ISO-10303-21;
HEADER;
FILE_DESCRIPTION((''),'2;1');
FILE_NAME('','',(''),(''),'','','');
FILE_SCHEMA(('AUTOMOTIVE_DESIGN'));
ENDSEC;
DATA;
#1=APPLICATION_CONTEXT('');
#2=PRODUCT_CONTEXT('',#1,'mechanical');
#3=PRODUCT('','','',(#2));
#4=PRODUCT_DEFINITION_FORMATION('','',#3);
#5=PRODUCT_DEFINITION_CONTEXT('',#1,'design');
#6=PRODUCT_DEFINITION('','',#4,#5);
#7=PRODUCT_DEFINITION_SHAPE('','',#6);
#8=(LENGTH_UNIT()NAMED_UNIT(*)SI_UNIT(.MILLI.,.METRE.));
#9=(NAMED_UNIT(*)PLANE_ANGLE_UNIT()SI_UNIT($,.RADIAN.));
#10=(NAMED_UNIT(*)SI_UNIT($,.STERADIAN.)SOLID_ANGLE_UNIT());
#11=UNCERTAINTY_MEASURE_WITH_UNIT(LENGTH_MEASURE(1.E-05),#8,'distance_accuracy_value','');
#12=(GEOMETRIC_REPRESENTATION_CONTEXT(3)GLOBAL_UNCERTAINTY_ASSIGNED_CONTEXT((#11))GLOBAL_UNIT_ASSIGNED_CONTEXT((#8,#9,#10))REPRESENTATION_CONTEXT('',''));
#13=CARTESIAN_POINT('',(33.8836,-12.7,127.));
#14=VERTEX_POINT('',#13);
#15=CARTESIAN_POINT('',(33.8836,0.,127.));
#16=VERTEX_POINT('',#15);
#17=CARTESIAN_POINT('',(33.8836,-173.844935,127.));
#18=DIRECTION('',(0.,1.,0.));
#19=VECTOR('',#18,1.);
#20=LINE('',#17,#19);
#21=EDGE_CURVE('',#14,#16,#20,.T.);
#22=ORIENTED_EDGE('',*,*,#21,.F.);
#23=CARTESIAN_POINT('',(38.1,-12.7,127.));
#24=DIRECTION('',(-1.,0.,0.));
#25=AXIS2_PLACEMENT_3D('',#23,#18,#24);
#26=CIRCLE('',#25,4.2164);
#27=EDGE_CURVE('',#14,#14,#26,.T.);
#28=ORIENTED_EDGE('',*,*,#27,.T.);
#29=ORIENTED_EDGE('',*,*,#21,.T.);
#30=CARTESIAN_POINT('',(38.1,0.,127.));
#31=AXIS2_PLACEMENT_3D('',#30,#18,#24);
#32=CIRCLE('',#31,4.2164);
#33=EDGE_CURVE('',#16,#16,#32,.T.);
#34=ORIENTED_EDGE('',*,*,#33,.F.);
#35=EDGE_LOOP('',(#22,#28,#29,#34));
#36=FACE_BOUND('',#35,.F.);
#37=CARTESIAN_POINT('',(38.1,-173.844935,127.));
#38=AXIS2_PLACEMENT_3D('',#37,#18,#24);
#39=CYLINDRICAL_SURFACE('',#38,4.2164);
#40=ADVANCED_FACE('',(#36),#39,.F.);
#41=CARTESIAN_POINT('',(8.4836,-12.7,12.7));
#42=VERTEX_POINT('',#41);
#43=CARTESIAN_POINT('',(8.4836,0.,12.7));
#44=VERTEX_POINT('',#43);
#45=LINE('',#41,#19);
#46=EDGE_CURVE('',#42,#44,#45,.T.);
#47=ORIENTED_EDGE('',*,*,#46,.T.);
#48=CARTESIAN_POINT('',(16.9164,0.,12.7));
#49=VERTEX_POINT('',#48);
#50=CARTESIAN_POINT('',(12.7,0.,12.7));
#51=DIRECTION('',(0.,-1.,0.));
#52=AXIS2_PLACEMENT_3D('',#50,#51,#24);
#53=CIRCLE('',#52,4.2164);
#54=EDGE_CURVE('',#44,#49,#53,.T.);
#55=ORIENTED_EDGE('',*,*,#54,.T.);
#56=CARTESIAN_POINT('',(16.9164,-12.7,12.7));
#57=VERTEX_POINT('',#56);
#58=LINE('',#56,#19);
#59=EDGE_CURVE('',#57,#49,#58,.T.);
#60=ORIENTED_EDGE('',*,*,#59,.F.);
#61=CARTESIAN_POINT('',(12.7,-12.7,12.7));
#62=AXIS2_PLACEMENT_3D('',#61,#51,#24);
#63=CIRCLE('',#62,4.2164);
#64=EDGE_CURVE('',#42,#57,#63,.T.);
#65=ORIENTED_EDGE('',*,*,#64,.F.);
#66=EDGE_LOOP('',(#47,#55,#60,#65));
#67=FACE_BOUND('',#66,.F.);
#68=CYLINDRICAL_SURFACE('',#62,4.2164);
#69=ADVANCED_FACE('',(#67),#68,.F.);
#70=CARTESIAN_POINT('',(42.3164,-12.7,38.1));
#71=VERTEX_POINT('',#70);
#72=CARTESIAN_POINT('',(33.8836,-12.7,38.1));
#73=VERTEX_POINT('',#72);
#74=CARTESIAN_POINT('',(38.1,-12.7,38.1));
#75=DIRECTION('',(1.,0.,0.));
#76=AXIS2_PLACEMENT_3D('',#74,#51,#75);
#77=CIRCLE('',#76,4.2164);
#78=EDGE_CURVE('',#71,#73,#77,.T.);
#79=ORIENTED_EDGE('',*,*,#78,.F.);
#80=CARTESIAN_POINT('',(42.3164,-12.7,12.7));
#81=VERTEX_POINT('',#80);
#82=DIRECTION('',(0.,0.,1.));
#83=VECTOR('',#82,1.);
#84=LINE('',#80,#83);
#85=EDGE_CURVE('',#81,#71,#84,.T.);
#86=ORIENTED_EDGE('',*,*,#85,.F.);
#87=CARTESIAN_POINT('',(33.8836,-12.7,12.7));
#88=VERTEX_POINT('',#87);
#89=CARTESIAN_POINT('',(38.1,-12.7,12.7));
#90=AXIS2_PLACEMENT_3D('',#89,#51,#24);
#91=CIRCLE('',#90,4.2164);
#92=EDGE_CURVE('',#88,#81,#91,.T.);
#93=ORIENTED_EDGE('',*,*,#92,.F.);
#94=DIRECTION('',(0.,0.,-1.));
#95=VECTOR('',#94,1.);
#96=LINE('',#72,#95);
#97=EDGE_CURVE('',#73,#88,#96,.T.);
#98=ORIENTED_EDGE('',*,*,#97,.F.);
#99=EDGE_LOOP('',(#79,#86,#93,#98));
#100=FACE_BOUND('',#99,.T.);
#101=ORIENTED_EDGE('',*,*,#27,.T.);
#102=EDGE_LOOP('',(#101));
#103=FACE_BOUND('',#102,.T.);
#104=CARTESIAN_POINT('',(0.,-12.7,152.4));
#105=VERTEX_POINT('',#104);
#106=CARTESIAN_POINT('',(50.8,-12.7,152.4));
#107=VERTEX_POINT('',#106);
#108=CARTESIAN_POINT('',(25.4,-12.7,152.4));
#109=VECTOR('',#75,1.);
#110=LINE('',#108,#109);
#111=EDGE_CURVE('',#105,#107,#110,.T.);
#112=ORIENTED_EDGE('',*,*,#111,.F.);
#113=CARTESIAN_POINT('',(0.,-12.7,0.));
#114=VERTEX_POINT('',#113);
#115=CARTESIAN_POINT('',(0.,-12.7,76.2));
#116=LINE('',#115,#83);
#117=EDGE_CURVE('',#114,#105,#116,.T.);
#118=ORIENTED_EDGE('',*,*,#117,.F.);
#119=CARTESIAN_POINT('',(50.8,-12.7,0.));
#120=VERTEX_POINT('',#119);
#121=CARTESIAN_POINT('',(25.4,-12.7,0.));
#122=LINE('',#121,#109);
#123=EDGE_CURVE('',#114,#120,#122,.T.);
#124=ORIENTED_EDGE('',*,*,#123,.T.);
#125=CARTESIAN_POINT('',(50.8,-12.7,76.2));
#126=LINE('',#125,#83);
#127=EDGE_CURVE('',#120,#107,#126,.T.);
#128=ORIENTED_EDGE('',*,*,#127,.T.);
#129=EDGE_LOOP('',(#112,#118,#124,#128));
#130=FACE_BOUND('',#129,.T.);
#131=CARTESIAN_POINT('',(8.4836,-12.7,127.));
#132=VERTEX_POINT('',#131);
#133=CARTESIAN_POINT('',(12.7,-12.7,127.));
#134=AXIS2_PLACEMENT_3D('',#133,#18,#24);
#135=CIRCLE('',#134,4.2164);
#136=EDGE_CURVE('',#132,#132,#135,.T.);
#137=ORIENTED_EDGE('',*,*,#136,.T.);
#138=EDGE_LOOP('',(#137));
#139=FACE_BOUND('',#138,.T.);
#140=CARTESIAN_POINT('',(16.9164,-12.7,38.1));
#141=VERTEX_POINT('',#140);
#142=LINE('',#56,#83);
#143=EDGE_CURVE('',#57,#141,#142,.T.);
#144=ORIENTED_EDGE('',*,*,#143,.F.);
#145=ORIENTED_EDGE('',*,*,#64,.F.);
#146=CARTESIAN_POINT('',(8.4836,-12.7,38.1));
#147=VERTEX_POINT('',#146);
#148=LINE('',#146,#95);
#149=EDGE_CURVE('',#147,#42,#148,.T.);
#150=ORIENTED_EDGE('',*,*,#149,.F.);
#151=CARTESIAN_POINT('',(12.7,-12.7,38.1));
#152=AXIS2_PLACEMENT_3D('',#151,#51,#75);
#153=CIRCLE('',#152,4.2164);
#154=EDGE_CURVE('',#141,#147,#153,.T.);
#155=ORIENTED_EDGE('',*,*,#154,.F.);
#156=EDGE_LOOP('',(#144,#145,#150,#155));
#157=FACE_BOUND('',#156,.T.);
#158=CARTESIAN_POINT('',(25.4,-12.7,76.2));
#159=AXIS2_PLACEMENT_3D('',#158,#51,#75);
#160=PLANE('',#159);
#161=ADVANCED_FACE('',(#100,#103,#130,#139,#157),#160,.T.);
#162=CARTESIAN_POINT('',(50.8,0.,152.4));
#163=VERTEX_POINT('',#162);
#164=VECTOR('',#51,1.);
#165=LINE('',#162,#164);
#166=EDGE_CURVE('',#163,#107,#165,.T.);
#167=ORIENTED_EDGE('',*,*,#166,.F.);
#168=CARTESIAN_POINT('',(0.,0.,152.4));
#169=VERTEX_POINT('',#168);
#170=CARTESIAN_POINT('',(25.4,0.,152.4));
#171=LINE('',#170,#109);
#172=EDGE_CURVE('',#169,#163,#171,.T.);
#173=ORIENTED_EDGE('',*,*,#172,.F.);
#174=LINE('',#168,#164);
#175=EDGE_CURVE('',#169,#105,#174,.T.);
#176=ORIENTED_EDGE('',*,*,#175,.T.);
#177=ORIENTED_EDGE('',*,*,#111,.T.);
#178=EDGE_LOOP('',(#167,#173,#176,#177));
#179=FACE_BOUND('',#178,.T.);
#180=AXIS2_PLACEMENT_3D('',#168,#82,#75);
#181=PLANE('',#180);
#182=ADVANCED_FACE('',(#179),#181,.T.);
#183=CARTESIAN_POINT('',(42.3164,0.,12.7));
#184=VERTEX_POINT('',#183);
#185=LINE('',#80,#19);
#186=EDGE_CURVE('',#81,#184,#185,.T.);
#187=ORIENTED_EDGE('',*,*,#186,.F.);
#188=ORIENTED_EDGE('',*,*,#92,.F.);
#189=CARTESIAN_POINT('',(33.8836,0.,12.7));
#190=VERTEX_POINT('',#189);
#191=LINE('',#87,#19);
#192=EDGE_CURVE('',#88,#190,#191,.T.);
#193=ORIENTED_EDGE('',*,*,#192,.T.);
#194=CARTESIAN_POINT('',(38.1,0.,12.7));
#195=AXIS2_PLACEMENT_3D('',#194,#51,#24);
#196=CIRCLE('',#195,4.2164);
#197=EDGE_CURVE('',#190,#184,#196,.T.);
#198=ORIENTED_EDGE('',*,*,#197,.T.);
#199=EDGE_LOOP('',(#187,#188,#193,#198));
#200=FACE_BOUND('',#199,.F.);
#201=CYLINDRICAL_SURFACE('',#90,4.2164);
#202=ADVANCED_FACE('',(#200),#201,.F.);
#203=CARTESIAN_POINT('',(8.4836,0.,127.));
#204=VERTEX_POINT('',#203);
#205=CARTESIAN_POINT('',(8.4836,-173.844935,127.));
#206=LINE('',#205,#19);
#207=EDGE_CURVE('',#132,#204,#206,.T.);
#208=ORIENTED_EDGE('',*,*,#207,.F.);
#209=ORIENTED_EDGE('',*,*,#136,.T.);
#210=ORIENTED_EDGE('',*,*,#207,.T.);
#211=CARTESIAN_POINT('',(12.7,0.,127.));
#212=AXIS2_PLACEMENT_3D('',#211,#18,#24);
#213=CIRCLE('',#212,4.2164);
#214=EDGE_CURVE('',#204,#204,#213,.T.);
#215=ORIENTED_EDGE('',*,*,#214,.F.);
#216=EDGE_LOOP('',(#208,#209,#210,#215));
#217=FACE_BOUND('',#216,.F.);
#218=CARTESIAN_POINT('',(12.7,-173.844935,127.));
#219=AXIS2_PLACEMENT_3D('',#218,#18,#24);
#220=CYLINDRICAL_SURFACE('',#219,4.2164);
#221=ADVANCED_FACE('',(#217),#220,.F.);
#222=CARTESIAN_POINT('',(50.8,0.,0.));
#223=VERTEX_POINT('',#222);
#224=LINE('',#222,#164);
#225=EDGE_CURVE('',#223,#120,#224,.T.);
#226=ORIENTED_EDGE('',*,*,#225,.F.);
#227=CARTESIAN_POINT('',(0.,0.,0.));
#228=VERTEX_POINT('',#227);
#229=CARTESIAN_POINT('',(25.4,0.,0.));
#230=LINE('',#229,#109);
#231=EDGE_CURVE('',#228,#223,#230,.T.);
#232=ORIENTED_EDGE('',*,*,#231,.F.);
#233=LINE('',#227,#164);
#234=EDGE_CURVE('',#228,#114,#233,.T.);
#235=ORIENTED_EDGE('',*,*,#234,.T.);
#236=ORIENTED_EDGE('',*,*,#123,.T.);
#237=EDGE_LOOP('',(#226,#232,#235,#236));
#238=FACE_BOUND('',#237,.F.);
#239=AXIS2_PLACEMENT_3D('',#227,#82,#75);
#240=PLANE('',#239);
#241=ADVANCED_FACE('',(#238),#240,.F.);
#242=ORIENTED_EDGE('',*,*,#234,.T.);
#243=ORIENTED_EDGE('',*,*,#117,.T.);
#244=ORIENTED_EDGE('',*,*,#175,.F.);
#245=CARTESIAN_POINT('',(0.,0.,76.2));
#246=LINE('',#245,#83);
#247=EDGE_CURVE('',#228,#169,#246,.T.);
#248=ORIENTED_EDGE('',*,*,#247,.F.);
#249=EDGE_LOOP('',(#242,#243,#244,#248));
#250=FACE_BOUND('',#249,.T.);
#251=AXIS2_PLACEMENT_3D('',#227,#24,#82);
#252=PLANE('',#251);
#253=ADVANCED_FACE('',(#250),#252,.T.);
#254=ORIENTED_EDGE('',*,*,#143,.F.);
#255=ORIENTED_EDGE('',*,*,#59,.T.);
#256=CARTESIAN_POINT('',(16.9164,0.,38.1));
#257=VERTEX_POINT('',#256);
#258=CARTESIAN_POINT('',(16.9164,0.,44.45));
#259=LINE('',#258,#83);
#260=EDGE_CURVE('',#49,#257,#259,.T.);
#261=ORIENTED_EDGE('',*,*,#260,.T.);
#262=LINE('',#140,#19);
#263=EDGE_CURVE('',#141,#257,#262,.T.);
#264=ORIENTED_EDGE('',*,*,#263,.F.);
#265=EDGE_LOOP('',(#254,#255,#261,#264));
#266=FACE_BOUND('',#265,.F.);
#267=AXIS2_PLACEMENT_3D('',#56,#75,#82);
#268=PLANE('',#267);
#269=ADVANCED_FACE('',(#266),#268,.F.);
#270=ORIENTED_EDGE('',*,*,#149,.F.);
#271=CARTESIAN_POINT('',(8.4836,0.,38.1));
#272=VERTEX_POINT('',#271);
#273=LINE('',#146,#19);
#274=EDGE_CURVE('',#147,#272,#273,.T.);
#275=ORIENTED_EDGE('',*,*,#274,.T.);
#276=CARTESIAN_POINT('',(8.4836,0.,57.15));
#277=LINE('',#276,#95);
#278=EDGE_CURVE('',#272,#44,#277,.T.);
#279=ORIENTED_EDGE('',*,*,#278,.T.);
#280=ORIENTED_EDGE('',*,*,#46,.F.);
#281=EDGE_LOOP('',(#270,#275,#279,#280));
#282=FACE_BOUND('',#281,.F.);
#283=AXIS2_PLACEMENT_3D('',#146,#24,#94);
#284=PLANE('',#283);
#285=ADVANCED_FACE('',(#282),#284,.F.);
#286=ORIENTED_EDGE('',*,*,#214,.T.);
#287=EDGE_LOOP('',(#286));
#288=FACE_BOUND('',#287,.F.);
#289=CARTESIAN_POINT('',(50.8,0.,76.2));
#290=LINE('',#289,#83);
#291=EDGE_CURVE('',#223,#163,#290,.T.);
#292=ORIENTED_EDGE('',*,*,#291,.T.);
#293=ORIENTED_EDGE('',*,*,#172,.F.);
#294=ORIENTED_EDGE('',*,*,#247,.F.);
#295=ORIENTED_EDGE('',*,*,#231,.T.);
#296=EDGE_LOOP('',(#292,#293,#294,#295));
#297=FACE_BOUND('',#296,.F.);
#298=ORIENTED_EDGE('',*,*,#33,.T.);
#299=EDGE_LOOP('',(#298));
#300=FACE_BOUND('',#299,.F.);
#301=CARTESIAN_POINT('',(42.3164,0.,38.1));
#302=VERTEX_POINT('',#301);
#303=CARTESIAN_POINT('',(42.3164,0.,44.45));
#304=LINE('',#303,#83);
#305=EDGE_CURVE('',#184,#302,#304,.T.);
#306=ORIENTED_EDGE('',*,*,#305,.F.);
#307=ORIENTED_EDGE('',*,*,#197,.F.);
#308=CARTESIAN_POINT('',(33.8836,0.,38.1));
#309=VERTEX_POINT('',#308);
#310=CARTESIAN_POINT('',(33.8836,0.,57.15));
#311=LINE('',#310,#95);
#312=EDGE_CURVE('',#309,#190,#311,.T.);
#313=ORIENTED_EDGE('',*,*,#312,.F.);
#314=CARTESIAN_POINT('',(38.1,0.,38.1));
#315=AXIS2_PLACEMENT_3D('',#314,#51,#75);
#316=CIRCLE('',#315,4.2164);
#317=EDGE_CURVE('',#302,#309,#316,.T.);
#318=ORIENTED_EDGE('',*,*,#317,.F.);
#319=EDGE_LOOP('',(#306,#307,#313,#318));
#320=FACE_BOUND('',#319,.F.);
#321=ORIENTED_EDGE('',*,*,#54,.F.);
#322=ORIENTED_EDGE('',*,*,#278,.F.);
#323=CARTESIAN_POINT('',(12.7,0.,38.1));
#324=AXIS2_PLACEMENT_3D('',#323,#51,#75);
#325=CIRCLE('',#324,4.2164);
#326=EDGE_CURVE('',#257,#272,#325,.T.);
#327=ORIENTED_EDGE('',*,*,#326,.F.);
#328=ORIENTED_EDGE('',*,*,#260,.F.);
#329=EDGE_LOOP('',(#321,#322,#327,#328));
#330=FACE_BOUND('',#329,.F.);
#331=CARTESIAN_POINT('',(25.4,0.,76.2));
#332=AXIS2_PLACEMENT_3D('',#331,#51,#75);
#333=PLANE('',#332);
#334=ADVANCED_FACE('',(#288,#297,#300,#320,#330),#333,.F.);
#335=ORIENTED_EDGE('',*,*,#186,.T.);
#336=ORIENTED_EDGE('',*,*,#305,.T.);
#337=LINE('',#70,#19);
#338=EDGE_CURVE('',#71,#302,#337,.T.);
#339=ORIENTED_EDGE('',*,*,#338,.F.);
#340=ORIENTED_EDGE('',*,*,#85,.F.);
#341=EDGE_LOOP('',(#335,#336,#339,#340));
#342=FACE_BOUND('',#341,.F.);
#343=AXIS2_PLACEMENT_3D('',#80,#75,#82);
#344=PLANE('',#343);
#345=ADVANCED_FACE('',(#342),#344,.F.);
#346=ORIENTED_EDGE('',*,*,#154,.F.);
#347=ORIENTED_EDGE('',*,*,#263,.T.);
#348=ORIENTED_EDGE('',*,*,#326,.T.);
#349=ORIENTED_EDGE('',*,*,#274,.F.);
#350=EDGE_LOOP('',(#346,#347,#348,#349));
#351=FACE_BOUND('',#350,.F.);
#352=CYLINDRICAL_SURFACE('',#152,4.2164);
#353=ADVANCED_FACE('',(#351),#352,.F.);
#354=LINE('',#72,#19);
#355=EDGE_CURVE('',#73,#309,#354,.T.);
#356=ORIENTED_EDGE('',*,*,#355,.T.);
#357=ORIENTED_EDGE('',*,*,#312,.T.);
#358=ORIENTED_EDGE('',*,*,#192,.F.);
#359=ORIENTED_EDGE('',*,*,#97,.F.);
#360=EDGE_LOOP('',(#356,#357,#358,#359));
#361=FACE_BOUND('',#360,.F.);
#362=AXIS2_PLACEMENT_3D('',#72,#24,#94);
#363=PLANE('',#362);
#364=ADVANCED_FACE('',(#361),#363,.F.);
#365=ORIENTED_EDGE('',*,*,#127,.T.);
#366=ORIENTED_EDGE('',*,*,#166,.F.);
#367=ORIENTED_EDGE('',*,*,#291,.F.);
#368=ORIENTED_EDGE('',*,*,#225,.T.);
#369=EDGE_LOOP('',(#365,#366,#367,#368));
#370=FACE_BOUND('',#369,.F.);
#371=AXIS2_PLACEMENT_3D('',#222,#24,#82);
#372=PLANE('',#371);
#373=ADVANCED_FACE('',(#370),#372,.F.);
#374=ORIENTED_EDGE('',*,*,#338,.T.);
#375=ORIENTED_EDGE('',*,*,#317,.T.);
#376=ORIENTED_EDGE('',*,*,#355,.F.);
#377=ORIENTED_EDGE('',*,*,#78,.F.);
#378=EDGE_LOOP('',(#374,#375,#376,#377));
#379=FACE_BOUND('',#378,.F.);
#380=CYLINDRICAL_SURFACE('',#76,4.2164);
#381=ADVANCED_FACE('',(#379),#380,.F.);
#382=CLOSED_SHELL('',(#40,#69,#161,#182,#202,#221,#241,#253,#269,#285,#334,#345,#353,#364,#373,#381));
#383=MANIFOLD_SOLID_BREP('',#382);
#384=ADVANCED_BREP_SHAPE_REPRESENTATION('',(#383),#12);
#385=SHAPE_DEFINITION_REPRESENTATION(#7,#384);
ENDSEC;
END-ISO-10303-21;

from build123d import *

# Parameters (mm, degrees)
F0_W     = 50.8
F0_H     = 152.4
F1_DEPTH = 12.7
F4_D     = 8.4328
F6_DEPTH = 12.701


with BuildPart() as f1:
    # F0 (on Front) → F1 (new body)
    with BuildSketch(Plane.XZ):
        with Locations((25.4, 76.2)):
            Rectangle(F0_W, F0_H)
    extrude(amount=F1_DEPTH)

    # F4 (through all)
    with Locations(Plane.XZ.offset(12.7)):
        with Locations((12.7, 127), (38.1, 127)):
            Hole(F4_D / 2)

    # F5 (on face) → F6 (cut, through all)
    with BuildSketch(Plane.XZ.offset(12.7)):
        with BuildLine():
            Line((16.9164, 12.7), (16.9164, 38.1))
            ThreePointArc((16.9164, 38.1), (12.7, 42.3164), (8.4836, 38.1))
            Line((8.4836, 38.1), (8.4836, 12.7))
            ThreePointArc((8.4836, 12.7), (12.7, 8.4836), (16.9164, 12.7))
        make_face()
        with BuildLine():
            Line((42.3164, 12.7), (42.3164, 38.1))
            ThreePointArc((42.3164, 38.1), (38.1, 42.3164), (33.8836, 38.1))
            Line((33.8836, 38.1), (33.8836, 12.7))
            ThreePointArc((33.8836, 12.7), (38.1, 8.4836), (42.3164, 12.7))
        make_face()
    extrude(amount=-F6_DEPTH, mode=Mode.SUBTRACT)


solid = f1.part
